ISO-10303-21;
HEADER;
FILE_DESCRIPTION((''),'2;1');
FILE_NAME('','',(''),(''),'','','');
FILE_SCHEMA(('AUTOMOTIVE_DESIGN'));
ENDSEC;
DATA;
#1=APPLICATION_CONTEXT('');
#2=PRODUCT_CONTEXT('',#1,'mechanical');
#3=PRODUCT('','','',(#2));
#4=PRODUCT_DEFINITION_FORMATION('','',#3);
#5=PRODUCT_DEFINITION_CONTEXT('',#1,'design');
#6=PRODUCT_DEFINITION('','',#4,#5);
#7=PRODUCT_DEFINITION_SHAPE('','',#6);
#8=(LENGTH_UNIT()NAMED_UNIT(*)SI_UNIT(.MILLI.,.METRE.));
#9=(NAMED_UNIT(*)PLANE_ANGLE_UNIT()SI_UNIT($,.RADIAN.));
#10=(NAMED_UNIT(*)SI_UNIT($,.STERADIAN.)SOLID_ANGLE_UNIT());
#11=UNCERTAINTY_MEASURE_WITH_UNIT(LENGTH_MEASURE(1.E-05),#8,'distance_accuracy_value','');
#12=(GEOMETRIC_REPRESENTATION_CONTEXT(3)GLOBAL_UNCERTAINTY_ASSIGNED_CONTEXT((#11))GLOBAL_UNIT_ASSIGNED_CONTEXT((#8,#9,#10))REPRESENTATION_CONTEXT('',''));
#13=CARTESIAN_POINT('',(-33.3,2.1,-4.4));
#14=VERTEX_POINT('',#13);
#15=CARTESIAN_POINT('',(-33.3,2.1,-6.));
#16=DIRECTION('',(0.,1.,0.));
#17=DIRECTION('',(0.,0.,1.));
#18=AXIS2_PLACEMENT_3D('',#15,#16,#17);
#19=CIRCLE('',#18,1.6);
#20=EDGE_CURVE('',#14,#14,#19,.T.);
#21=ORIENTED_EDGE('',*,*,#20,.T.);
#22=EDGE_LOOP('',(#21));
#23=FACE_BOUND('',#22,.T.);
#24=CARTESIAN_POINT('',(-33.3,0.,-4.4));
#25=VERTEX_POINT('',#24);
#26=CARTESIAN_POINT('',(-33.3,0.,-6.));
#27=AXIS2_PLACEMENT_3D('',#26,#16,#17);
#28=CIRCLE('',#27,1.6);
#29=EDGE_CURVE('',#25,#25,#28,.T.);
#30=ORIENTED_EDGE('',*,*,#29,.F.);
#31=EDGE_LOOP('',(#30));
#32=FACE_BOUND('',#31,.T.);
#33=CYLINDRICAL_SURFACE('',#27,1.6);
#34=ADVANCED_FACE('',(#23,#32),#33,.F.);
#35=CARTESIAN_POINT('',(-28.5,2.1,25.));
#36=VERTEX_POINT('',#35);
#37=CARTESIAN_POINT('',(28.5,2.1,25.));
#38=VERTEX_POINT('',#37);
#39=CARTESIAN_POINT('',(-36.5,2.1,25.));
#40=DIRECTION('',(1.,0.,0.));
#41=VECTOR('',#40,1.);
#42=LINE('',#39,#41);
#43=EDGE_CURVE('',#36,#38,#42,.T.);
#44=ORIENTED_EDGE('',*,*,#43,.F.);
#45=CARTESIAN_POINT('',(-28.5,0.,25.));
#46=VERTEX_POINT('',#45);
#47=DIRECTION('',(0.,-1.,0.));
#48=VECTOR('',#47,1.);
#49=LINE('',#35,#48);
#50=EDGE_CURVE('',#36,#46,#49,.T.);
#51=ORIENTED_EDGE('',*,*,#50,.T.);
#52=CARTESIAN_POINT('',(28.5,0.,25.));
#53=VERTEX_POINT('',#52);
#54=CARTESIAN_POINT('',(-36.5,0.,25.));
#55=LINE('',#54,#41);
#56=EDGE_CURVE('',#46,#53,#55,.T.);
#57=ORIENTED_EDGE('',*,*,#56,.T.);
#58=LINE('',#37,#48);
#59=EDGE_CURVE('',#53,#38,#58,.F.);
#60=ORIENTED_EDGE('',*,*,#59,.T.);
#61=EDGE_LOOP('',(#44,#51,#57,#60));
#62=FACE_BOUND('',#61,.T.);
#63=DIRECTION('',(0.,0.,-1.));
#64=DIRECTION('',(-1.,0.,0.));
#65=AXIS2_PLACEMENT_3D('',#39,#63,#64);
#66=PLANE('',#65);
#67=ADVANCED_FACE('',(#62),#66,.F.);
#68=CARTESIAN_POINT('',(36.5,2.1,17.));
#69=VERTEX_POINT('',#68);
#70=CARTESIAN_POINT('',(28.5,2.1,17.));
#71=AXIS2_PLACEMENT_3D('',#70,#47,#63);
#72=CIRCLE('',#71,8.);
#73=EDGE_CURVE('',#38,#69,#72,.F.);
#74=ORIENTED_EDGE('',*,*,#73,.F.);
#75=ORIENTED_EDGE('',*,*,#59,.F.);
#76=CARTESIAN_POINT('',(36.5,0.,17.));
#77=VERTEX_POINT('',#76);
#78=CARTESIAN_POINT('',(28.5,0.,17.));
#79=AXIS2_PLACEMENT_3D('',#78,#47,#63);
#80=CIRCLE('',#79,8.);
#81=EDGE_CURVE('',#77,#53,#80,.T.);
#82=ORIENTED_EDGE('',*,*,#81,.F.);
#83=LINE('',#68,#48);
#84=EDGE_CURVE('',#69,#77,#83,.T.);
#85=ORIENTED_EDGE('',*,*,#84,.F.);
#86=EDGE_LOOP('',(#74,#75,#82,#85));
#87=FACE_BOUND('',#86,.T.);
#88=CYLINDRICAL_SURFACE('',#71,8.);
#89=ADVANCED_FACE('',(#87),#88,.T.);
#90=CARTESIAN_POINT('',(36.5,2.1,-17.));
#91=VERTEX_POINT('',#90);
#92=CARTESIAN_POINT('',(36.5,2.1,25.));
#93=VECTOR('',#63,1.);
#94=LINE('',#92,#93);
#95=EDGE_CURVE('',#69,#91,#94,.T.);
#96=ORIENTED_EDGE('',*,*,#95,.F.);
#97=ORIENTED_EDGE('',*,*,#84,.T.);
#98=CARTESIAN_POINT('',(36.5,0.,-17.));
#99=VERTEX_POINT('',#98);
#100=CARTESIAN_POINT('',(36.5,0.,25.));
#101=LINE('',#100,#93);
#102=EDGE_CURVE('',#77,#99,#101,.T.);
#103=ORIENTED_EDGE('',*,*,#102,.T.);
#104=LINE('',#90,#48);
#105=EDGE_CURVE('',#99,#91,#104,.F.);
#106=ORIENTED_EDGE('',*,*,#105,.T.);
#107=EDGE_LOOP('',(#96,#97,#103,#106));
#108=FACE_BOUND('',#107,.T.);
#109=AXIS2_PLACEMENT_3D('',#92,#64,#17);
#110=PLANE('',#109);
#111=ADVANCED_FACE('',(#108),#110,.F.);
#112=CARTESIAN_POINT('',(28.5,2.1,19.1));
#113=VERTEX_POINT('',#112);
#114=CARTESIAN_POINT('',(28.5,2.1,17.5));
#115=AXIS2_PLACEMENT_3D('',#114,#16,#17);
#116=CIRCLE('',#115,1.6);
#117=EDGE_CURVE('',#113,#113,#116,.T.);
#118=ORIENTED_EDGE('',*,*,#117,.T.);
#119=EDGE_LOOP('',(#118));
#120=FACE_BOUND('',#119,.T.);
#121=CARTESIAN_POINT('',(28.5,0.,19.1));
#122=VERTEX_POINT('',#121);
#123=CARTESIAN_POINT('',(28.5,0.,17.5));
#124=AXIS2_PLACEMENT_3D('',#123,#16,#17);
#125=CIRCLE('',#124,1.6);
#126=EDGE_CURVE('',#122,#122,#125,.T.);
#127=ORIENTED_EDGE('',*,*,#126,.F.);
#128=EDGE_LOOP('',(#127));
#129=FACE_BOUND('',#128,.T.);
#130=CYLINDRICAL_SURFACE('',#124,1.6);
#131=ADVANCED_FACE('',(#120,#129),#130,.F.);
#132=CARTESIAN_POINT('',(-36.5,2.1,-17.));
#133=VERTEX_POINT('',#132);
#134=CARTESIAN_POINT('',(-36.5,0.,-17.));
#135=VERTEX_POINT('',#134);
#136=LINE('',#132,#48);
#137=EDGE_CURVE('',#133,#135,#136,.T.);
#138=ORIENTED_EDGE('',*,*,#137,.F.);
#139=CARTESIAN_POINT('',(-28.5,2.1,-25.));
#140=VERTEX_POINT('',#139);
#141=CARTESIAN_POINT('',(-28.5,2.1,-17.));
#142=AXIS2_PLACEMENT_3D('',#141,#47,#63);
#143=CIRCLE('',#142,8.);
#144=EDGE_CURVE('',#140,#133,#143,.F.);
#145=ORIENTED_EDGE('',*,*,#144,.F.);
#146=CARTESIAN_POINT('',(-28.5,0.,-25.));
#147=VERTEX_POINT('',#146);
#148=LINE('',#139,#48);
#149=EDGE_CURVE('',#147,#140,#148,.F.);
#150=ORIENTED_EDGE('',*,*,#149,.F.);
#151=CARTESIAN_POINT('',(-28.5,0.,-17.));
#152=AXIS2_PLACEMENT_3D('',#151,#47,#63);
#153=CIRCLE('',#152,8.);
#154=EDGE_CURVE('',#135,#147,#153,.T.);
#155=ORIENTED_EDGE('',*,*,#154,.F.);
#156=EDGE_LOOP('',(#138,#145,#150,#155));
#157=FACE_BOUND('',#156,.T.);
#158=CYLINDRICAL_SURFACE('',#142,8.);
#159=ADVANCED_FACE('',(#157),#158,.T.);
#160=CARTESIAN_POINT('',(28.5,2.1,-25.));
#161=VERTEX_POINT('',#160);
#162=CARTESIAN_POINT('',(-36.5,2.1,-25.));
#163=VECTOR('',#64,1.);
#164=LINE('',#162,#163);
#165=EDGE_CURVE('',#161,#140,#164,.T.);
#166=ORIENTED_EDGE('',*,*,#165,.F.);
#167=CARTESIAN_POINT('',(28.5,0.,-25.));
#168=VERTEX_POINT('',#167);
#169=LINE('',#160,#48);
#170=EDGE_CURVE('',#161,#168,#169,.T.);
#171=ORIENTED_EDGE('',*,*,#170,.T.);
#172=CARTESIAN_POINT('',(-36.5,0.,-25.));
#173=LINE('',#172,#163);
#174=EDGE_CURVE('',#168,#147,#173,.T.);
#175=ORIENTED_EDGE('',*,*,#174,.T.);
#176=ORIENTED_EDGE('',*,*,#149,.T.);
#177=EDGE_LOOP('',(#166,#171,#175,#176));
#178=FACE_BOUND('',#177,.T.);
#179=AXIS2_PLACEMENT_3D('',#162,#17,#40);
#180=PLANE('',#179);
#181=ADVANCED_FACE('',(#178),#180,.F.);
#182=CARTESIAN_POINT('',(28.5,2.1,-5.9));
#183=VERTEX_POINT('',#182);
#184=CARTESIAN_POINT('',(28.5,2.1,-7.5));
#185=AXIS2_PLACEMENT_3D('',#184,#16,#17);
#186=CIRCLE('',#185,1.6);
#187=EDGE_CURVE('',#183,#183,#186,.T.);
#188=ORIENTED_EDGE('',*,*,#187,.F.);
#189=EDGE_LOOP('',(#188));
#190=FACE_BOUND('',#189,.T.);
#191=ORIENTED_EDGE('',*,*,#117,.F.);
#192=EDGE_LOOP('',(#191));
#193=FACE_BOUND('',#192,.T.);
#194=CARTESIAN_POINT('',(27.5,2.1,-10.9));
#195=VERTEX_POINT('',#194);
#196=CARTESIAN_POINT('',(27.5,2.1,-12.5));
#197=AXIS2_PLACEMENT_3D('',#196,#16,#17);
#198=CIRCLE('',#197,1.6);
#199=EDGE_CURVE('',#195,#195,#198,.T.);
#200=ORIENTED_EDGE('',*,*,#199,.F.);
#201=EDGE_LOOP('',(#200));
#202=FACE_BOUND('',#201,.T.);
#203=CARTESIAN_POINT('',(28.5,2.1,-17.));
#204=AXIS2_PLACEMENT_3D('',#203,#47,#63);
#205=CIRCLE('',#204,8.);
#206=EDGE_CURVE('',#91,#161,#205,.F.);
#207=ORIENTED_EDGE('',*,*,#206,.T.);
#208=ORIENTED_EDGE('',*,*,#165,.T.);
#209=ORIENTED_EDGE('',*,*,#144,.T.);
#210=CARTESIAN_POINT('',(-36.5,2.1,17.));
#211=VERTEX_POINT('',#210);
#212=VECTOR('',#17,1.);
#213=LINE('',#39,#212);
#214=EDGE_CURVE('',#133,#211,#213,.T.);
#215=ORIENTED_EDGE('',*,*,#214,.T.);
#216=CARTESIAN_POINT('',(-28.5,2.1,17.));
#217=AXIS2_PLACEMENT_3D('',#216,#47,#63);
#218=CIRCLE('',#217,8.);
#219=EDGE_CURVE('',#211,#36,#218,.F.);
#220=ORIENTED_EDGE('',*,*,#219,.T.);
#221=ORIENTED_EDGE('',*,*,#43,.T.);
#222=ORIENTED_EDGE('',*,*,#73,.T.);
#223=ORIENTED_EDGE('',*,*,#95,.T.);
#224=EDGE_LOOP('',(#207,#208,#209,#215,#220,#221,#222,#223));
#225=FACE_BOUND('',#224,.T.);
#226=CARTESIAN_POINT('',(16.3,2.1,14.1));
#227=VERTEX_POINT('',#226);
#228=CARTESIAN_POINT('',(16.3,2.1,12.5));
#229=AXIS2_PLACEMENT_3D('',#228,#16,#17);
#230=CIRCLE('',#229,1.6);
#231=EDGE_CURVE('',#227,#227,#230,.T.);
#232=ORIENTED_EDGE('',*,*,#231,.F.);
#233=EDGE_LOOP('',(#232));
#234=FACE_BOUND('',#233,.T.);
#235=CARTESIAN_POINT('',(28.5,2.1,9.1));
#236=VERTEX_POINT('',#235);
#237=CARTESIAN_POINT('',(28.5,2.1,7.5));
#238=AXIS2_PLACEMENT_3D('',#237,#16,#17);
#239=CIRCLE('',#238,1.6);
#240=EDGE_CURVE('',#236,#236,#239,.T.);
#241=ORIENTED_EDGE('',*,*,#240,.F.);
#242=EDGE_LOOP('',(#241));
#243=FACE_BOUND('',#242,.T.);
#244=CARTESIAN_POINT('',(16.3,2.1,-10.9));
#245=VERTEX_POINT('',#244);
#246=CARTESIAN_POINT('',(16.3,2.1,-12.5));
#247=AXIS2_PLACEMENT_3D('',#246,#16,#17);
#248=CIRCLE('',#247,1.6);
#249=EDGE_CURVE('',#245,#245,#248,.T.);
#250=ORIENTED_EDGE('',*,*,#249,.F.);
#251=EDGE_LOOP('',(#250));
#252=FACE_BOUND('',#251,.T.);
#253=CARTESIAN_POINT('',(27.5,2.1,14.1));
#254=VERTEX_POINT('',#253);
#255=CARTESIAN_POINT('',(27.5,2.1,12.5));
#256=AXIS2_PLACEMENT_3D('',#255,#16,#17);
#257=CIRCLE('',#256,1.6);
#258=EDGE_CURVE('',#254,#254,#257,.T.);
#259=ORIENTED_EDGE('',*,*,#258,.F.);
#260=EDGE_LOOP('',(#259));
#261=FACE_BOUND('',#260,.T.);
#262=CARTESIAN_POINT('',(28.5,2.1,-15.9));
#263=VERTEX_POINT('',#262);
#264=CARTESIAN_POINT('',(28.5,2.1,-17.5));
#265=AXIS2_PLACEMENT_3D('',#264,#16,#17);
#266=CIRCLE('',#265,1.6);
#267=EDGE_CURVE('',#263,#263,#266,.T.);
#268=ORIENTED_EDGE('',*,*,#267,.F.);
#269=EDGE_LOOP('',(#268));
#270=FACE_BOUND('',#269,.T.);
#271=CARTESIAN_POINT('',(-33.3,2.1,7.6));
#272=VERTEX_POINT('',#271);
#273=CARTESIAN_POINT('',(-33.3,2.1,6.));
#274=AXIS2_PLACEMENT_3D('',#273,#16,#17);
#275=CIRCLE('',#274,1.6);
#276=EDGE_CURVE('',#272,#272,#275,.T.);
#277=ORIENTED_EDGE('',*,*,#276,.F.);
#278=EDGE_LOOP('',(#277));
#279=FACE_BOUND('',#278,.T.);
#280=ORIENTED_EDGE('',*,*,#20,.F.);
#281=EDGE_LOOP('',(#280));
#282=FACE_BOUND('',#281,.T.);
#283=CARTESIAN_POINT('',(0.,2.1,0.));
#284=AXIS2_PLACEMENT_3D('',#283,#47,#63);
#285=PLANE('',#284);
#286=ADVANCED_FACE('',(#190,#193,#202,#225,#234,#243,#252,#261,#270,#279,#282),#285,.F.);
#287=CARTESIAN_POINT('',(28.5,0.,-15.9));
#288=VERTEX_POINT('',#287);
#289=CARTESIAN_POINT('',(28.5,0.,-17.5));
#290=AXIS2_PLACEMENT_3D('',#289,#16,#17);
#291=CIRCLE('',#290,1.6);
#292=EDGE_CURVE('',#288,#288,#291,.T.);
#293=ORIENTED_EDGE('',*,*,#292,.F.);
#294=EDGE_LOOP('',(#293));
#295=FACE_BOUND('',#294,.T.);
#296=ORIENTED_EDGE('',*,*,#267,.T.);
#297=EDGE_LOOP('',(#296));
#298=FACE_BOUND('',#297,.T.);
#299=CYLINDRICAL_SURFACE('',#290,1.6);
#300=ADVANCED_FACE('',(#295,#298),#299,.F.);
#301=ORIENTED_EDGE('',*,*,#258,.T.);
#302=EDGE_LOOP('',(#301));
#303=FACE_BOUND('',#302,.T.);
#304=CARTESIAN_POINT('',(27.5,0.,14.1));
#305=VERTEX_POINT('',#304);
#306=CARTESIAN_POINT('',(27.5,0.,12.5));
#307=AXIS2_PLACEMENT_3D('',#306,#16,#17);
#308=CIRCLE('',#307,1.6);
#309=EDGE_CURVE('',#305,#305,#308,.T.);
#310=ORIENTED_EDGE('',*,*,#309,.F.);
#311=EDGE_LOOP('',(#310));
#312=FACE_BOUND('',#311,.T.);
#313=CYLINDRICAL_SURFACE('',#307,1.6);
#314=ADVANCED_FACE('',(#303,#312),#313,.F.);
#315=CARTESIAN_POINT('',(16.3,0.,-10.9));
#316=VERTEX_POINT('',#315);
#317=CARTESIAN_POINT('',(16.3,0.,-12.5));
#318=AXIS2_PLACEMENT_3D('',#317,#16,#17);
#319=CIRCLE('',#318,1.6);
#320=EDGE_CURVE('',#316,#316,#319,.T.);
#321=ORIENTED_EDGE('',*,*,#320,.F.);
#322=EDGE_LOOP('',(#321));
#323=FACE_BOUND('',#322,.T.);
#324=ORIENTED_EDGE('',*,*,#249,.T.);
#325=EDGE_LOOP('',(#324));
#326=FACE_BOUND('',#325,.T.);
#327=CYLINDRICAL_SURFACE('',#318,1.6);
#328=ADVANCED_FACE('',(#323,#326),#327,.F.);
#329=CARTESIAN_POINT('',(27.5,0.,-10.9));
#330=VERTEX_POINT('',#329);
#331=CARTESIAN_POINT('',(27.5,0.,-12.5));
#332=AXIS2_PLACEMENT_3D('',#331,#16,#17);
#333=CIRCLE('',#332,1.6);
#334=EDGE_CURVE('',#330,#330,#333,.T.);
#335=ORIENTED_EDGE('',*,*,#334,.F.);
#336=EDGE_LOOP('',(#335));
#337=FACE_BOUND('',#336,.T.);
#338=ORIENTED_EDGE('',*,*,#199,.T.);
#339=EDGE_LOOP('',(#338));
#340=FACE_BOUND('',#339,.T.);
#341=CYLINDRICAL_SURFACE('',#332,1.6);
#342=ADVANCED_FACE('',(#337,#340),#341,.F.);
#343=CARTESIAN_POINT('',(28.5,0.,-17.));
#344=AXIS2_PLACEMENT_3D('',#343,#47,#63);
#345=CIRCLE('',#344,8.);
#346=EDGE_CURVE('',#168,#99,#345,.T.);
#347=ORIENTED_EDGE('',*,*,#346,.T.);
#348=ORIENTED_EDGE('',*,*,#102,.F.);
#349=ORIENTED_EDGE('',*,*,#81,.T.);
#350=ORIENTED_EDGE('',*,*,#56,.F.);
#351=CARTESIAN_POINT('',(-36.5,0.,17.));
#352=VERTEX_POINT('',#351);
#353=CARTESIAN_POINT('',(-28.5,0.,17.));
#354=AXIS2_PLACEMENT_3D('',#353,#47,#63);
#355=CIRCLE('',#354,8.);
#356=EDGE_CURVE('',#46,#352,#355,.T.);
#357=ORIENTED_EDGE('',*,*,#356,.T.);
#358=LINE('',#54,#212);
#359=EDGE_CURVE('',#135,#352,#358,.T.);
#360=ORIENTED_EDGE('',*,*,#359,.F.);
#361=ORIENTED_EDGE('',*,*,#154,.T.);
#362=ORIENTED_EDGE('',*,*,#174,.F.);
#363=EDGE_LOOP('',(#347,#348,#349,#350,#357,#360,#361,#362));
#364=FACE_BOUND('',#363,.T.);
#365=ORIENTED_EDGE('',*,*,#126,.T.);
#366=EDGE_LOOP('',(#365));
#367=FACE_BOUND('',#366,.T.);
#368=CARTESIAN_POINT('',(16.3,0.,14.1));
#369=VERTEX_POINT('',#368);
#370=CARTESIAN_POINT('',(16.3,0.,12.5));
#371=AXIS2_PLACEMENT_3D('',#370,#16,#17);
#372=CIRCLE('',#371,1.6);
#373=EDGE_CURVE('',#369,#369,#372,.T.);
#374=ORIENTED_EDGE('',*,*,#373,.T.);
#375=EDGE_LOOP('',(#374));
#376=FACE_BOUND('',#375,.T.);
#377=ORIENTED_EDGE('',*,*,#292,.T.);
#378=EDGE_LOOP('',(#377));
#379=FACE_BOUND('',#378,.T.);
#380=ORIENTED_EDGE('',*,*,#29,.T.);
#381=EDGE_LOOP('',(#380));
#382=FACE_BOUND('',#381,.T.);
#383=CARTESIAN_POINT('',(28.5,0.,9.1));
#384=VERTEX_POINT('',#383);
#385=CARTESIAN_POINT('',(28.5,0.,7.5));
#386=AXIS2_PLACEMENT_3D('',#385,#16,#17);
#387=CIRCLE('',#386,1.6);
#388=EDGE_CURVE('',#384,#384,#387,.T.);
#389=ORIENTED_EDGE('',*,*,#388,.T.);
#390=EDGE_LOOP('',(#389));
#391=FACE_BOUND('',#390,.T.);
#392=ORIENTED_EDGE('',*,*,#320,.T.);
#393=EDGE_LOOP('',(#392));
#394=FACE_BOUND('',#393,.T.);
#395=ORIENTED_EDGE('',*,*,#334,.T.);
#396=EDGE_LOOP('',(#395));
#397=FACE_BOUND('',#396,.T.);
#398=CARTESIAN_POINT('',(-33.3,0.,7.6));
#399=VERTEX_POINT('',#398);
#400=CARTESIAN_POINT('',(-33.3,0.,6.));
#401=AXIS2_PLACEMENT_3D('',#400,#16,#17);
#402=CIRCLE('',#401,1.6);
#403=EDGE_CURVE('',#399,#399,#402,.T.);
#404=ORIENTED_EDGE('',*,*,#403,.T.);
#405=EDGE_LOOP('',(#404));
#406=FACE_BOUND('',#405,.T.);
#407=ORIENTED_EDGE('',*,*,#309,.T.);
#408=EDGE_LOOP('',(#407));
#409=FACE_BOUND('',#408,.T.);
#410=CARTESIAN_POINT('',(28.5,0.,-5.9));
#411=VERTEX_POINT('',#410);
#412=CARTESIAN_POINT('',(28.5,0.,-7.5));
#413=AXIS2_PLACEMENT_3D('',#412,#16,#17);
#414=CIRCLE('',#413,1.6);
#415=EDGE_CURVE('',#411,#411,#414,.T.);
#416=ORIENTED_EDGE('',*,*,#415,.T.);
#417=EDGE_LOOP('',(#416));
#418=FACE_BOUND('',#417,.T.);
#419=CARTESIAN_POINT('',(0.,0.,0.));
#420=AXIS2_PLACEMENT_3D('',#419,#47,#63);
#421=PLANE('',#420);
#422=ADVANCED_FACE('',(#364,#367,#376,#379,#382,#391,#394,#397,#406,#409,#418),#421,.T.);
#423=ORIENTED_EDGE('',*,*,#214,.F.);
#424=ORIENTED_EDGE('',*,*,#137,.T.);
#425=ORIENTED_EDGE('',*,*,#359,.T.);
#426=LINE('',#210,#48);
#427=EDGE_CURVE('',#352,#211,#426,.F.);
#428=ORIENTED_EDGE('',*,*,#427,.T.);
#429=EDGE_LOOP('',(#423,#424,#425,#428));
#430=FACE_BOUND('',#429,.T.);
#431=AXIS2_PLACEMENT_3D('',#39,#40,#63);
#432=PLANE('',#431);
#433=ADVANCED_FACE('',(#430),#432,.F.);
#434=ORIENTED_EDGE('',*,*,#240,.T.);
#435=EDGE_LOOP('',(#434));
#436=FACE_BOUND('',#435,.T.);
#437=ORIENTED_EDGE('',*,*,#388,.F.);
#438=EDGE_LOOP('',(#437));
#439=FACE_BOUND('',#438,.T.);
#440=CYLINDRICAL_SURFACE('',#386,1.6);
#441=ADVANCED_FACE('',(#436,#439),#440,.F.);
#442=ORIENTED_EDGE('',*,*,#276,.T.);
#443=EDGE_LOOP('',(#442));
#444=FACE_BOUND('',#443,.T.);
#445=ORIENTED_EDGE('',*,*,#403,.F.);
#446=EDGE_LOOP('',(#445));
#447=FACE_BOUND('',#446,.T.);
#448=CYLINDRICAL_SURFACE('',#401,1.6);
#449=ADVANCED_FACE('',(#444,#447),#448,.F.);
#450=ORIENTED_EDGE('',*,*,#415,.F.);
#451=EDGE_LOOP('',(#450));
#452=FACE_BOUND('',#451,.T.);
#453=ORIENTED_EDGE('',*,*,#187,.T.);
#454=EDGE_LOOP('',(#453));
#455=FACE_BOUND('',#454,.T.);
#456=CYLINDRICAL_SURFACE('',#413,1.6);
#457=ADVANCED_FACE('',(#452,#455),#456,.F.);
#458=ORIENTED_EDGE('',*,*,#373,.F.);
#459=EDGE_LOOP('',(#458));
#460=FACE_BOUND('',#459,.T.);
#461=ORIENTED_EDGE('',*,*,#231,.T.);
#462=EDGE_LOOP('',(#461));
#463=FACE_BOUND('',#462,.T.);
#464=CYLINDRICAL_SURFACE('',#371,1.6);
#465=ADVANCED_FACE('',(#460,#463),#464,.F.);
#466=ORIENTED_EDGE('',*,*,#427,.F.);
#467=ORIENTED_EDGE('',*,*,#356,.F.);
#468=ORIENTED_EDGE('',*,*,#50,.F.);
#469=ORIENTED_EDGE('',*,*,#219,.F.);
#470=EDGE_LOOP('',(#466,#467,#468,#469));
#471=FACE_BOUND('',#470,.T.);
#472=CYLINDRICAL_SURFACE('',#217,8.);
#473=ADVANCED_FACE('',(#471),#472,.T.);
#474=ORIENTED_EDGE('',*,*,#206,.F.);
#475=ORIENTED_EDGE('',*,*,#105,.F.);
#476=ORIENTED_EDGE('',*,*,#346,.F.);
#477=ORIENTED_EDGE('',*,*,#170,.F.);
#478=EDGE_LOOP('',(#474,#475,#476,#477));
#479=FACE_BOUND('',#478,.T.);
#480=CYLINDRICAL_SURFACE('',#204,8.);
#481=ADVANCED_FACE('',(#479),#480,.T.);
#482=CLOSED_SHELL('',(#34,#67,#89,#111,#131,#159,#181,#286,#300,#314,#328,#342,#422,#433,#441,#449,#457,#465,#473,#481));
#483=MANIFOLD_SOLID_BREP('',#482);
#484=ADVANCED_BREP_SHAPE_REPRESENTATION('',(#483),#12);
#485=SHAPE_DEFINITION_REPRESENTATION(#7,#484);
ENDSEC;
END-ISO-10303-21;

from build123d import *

# Parameters (mm, degrees)
SKETCH_1_W          = 73
SKETCH_1_H          = 50
EXTRUDE_1_DEPTH     = 2.1
SKETCH_2_R          = 1.6
CUT_EXTRUDE_1_DEPTH = 2.1
SKETCH_3_R          = 1.6
CUT_EXTRUDE_2_DEPTH = 2.1
SKETCH_4_R          = 1.6
CUT_EXTRUDE_3_DEPTH = 2.1
FILLET_1_R          = 8


with BuildPart() as part:
    # 草图1 → 凸台-拉伸1 (new body)
    with BuildSketch(Plane(origin=(0, 0, 0), x_dir=(1, 0, 0), z_dir=(0, 1, 0))):
        Rectangle(SKETCH_1_W, SKETCH_1_H)
    extrude(amount=EXTRUDE_1_DEPTH)

    # 草图2 → 切除-拉伸1 (cut)
    with BuildSketch(Plane(origin=(0, 2.1, 0), x_dir=(1, 0, 0), z_dir=(0, 1, 0))):
        with Locations(Location((-33.3, 6, 0), (0, 0, 270))):
            Circle(SKETCH_2_R)
        with Locations(Location((-33.3, -6, 0), (0, 0, 270))):
            Circle(SKETCH_2_R)
    extrude(amount=-CUT_EXTRUDE_1_DEPTH, mode=Mode.SUBTRACT)

    # 草图3 → 切除-拉伸2 (cut)
    with BuildSketch(Plane(origin=(0, 2.1, 0), x_dir=(1, 0, 0), z_dir=(0, 1, 0))):
        with Locations(Location((28.5, 17.5, 0), (0, 0, 270))):
            Circle(SKETCH_3_R)
        with Locations(Location((28.5, 7.5, 0), (0, 0, 270))):
            Circle(SKETCH_3_R)
        with Locations(Location((28.5, -7.5, 0), (0, 0, 270))):
            Circle(SKETCH_3_R)
        with Locations(Location((28.5, -17.5, 0), (0, 0, 270))):
            Circle(SKETCH_3_R)
    extrude(amount=-CUT_EXTRUDE_2_DEPTH, mode=Mode.SUBTRACT)

    # 草图4 → 切除-拉伸3 (cut)
    with BuildSketch(Plane(origin=(0, 2.1, 0), x_dir=(1, 0, 0), z_dir=(0, 1, 0))):
        with Locations(Location((16.3, 12.5, 0), (0, 0, 270))):
            Circle(SKETCH_4_R)
        with Locations(Location((16.3, -12.5, 0), (0, 0, 270))):
            Circle(SKETCH_4_R)
        with Locations(Location((27.5, 12.5, 0), (0, 0, 270))):
            Circle(SKETCH_4_R)
        with Locations(Location((27.5, -12.5, 0), (0, 0, 270))):
            Circle(SKETCH_4_R)
    extrude(amount=-CUT_EXTRUDE_3_DEPTH, mode=Mode.SUBTRACT)

    # 圆角1
    fillet_1_edges = [part.edges().sort_by_distance(p)[0] for p in [
        (36.5, 1.05, 25),
        (-36.5, 1.05, 25),
        (-36.5, 1.05, -25),
        (36.5, 1.05, -25),
    ]]
    fillet(fillet_1_edges, radius=FILLET_1_R)


solid = part.part
